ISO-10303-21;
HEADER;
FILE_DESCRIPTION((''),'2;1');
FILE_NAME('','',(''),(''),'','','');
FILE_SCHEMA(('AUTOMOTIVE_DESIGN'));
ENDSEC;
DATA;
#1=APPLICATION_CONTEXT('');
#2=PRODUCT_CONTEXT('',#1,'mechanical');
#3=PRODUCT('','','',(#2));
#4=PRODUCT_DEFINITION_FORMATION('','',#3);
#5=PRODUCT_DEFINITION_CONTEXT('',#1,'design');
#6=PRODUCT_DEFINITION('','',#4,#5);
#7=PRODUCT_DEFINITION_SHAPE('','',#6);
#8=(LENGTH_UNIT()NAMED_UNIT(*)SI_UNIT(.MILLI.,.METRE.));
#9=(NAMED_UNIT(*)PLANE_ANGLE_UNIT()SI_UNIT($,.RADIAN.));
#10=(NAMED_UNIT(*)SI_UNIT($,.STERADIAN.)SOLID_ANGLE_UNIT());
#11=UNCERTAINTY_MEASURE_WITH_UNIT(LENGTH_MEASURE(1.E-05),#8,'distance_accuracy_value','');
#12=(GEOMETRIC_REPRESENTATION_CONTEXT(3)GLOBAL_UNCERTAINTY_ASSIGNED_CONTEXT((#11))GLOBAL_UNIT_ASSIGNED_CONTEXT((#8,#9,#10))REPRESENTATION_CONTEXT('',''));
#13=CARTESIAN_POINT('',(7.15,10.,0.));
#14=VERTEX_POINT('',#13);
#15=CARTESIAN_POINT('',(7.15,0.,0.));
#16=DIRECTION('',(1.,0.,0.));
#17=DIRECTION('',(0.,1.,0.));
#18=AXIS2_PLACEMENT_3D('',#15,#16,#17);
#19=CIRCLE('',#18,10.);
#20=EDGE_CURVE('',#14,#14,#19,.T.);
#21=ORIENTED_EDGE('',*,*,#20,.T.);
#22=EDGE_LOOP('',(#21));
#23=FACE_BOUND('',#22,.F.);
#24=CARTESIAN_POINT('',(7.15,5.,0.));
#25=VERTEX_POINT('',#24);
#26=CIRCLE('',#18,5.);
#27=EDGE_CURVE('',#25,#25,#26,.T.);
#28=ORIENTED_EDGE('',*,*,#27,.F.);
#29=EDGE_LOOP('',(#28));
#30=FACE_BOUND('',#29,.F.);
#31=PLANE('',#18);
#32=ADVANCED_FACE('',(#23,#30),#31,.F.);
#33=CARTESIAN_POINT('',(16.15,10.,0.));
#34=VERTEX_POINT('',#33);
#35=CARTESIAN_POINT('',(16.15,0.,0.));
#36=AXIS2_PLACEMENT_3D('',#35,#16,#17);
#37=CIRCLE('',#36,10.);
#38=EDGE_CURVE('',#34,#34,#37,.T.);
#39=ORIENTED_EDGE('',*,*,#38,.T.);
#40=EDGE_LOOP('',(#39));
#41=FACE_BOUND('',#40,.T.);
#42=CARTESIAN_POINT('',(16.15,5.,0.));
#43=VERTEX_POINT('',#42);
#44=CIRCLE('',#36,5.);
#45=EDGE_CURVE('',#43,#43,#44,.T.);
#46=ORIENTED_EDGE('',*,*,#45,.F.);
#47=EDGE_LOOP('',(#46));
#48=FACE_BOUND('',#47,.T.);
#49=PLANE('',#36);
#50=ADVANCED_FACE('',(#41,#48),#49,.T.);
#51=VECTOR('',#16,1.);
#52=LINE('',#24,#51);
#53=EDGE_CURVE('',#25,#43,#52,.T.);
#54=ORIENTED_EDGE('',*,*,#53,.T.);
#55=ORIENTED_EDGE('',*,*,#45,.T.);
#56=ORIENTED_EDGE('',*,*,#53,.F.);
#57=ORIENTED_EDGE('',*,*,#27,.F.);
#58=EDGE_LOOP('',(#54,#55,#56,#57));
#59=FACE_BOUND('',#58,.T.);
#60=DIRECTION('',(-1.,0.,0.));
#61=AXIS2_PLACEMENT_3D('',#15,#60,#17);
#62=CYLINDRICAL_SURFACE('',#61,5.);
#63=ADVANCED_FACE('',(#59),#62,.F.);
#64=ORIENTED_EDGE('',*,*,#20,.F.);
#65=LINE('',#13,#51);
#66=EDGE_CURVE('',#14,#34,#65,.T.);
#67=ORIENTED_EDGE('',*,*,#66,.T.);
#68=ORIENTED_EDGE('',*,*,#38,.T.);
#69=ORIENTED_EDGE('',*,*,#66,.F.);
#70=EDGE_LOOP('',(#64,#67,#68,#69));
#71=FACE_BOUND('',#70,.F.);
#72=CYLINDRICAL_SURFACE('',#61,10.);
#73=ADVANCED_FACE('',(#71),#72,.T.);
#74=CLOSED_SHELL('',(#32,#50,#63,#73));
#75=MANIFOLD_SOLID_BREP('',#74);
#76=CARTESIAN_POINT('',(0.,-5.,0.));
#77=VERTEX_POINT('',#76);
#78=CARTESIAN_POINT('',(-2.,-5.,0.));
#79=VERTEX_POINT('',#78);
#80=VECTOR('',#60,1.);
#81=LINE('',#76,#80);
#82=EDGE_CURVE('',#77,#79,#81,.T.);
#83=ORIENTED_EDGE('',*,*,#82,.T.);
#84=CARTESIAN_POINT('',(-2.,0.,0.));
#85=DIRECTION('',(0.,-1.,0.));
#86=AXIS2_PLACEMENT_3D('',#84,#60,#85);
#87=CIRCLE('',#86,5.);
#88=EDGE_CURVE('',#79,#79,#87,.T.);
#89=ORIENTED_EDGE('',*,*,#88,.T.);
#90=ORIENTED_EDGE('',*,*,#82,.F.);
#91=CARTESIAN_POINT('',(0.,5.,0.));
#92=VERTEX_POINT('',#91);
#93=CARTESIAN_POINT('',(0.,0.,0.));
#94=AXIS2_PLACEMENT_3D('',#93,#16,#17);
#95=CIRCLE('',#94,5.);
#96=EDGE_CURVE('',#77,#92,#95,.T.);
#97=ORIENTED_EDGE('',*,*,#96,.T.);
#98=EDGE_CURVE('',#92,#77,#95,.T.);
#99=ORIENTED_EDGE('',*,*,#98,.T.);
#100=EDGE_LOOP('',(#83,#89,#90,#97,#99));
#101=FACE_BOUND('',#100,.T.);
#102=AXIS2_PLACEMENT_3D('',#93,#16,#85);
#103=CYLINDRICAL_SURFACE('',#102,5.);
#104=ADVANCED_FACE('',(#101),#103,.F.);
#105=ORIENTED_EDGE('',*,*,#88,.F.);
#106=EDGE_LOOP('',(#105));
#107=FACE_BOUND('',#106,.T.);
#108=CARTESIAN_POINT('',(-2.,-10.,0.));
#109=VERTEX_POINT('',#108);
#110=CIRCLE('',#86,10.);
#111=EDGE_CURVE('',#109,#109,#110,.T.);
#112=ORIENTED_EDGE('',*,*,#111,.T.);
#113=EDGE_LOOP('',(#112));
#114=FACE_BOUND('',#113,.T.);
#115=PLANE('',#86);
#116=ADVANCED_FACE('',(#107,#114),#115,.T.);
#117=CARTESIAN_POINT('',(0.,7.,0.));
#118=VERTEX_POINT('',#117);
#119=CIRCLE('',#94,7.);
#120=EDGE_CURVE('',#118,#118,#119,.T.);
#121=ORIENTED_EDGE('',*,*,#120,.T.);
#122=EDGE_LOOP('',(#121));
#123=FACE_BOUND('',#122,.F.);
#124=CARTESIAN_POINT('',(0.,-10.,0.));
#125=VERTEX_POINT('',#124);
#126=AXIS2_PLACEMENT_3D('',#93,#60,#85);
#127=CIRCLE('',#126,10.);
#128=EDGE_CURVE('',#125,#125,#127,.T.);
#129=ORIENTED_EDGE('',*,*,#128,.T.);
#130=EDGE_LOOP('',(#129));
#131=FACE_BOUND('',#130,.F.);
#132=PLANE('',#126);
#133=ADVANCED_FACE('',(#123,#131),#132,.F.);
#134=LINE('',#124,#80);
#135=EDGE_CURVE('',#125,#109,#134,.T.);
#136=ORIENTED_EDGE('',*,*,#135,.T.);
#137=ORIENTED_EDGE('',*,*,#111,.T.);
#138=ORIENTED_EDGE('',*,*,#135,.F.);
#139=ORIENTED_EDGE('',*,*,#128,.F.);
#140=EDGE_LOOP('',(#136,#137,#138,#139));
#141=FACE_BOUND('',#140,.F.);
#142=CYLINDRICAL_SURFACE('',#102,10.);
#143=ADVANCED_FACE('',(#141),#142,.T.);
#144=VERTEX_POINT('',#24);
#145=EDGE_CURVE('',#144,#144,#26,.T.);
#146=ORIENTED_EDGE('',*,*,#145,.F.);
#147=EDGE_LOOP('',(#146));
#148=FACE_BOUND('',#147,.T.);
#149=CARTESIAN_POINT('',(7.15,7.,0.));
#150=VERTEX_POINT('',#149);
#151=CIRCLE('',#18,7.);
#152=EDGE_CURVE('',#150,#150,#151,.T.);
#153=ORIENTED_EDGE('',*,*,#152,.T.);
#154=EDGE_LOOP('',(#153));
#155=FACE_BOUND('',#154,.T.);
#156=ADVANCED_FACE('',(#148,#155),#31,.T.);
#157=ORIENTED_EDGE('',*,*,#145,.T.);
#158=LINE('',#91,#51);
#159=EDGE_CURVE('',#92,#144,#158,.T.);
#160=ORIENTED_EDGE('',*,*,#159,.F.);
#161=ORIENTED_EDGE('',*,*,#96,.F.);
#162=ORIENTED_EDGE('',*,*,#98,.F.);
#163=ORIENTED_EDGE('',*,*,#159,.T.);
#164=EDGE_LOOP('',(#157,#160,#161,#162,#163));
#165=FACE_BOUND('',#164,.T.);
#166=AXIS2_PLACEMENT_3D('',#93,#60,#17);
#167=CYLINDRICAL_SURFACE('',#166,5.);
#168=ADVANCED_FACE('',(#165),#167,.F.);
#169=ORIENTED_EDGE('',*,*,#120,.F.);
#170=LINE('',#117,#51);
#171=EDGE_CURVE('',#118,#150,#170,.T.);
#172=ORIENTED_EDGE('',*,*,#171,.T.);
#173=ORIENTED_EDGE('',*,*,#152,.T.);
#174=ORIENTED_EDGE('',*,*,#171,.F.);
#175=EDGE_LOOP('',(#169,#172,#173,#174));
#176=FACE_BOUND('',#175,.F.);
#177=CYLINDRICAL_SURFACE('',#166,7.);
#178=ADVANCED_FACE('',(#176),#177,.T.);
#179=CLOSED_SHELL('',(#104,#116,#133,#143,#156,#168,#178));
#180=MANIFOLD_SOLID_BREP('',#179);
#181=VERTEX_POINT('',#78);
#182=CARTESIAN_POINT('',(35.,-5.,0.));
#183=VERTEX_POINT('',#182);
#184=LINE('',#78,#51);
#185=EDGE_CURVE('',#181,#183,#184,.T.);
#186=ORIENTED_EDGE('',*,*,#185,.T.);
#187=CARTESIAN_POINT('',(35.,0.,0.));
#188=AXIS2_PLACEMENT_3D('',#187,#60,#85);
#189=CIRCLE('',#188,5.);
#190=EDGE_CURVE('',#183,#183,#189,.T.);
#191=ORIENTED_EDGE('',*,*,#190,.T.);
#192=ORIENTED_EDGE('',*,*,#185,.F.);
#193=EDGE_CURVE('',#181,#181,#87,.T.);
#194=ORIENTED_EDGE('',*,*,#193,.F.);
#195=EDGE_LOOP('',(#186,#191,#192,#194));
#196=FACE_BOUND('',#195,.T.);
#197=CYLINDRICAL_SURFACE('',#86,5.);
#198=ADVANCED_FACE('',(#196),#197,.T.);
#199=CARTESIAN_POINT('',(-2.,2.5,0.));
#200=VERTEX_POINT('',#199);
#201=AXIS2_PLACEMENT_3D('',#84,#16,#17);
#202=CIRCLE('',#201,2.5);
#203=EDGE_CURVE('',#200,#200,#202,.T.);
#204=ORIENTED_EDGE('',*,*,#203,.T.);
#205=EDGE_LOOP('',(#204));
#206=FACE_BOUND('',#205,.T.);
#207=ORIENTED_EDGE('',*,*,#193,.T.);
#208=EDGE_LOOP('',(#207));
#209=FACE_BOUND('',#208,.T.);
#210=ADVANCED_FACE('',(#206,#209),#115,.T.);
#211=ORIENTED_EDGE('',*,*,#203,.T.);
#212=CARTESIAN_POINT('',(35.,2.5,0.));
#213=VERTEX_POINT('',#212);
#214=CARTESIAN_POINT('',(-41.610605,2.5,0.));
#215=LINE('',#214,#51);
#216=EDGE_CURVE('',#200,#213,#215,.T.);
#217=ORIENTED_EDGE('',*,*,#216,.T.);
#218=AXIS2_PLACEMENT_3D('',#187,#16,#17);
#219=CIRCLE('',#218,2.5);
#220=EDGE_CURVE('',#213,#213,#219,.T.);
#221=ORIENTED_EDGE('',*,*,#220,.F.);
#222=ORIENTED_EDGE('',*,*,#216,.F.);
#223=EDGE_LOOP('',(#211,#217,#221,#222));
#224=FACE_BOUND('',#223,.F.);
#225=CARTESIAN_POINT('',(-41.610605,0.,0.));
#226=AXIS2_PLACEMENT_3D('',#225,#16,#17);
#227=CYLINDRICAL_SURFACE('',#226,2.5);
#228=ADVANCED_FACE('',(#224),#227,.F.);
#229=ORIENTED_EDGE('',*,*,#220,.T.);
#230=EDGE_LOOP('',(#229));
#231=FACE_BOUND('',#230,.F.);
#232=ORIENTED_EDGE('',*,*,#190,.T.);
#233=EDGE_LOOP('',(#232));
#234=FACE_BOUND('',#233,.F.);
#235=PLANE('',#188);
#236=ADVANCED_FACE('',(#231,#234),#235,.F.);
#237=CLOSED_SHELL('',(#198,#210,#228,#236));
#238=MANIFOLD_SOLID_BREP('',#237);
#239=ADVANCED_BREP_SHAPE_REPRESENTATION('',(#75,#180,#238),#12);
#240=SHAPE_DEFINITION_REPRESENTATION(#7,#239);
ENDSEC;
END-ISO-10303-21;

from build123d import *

# Parameters (mm, degrees)
F3_R      = 7
F3_R_2    = 5
F4_DEPTH  = 7.15
F5_R      = 10
F5_R_2    = 5
F6_DEPTH  = 2
F7_R      = 10
F7_R_2    = 5
F8_DEPTH  = 9
F9_R      = 5
F10_DEPTH = 37
F11_D     = 5


with BuildPart() as f4:
    # F3 (on Right) → F4 (new body)
    with BuildSketch(Plane.YZ):
        Circle(F3_R)
        Circle(F3_R_2, mode=Mode.SUBTRACT)
    extrude(amount=F4_DEPTH)

    # F5 (on face) → F6 (join)
    with BuildSketch(Plane(origin=(0, 0, 0), x_dir=(0, -1, 0), z_dir=(-1, 0, 0))):
        Circle(F5_R)
        Circle(F5_R_2, mode=Mode.SUBTRACT)
    extrude(amount=F6_DEPTH)


with BuildPart() as f8:
    # F7 (on face) → F8 (new body)
    with BuildSketch(Plane.YZ.offset(7.15)):
        Circle(F7_R)
        Circle(F7_R_2, mode=Mode.SUBTRACT)
    extrude(amount=F8_DEPTH)


with BuildPart() as f10:
    # F9 (on face) → F10 (new body)
    with BuildSketch(Plane(origin=(-2, 0, 0), x_dir=(0, -1, 0), z_dir=(-1, 0, 0))):
        Circle(F9_R)
    extrude(amount=-F10_DEPTH)

    # F11 (through all)
    with Locations(Plane(origin=(-2, 0, 0), x_dir=(0, -1, 0), z_dir=(-1, 0, 0))):
        with Locations((0, 0)):
            Hole(F11_D / 2)


solid = Compound([f4.part, f8.part, f10.part])
